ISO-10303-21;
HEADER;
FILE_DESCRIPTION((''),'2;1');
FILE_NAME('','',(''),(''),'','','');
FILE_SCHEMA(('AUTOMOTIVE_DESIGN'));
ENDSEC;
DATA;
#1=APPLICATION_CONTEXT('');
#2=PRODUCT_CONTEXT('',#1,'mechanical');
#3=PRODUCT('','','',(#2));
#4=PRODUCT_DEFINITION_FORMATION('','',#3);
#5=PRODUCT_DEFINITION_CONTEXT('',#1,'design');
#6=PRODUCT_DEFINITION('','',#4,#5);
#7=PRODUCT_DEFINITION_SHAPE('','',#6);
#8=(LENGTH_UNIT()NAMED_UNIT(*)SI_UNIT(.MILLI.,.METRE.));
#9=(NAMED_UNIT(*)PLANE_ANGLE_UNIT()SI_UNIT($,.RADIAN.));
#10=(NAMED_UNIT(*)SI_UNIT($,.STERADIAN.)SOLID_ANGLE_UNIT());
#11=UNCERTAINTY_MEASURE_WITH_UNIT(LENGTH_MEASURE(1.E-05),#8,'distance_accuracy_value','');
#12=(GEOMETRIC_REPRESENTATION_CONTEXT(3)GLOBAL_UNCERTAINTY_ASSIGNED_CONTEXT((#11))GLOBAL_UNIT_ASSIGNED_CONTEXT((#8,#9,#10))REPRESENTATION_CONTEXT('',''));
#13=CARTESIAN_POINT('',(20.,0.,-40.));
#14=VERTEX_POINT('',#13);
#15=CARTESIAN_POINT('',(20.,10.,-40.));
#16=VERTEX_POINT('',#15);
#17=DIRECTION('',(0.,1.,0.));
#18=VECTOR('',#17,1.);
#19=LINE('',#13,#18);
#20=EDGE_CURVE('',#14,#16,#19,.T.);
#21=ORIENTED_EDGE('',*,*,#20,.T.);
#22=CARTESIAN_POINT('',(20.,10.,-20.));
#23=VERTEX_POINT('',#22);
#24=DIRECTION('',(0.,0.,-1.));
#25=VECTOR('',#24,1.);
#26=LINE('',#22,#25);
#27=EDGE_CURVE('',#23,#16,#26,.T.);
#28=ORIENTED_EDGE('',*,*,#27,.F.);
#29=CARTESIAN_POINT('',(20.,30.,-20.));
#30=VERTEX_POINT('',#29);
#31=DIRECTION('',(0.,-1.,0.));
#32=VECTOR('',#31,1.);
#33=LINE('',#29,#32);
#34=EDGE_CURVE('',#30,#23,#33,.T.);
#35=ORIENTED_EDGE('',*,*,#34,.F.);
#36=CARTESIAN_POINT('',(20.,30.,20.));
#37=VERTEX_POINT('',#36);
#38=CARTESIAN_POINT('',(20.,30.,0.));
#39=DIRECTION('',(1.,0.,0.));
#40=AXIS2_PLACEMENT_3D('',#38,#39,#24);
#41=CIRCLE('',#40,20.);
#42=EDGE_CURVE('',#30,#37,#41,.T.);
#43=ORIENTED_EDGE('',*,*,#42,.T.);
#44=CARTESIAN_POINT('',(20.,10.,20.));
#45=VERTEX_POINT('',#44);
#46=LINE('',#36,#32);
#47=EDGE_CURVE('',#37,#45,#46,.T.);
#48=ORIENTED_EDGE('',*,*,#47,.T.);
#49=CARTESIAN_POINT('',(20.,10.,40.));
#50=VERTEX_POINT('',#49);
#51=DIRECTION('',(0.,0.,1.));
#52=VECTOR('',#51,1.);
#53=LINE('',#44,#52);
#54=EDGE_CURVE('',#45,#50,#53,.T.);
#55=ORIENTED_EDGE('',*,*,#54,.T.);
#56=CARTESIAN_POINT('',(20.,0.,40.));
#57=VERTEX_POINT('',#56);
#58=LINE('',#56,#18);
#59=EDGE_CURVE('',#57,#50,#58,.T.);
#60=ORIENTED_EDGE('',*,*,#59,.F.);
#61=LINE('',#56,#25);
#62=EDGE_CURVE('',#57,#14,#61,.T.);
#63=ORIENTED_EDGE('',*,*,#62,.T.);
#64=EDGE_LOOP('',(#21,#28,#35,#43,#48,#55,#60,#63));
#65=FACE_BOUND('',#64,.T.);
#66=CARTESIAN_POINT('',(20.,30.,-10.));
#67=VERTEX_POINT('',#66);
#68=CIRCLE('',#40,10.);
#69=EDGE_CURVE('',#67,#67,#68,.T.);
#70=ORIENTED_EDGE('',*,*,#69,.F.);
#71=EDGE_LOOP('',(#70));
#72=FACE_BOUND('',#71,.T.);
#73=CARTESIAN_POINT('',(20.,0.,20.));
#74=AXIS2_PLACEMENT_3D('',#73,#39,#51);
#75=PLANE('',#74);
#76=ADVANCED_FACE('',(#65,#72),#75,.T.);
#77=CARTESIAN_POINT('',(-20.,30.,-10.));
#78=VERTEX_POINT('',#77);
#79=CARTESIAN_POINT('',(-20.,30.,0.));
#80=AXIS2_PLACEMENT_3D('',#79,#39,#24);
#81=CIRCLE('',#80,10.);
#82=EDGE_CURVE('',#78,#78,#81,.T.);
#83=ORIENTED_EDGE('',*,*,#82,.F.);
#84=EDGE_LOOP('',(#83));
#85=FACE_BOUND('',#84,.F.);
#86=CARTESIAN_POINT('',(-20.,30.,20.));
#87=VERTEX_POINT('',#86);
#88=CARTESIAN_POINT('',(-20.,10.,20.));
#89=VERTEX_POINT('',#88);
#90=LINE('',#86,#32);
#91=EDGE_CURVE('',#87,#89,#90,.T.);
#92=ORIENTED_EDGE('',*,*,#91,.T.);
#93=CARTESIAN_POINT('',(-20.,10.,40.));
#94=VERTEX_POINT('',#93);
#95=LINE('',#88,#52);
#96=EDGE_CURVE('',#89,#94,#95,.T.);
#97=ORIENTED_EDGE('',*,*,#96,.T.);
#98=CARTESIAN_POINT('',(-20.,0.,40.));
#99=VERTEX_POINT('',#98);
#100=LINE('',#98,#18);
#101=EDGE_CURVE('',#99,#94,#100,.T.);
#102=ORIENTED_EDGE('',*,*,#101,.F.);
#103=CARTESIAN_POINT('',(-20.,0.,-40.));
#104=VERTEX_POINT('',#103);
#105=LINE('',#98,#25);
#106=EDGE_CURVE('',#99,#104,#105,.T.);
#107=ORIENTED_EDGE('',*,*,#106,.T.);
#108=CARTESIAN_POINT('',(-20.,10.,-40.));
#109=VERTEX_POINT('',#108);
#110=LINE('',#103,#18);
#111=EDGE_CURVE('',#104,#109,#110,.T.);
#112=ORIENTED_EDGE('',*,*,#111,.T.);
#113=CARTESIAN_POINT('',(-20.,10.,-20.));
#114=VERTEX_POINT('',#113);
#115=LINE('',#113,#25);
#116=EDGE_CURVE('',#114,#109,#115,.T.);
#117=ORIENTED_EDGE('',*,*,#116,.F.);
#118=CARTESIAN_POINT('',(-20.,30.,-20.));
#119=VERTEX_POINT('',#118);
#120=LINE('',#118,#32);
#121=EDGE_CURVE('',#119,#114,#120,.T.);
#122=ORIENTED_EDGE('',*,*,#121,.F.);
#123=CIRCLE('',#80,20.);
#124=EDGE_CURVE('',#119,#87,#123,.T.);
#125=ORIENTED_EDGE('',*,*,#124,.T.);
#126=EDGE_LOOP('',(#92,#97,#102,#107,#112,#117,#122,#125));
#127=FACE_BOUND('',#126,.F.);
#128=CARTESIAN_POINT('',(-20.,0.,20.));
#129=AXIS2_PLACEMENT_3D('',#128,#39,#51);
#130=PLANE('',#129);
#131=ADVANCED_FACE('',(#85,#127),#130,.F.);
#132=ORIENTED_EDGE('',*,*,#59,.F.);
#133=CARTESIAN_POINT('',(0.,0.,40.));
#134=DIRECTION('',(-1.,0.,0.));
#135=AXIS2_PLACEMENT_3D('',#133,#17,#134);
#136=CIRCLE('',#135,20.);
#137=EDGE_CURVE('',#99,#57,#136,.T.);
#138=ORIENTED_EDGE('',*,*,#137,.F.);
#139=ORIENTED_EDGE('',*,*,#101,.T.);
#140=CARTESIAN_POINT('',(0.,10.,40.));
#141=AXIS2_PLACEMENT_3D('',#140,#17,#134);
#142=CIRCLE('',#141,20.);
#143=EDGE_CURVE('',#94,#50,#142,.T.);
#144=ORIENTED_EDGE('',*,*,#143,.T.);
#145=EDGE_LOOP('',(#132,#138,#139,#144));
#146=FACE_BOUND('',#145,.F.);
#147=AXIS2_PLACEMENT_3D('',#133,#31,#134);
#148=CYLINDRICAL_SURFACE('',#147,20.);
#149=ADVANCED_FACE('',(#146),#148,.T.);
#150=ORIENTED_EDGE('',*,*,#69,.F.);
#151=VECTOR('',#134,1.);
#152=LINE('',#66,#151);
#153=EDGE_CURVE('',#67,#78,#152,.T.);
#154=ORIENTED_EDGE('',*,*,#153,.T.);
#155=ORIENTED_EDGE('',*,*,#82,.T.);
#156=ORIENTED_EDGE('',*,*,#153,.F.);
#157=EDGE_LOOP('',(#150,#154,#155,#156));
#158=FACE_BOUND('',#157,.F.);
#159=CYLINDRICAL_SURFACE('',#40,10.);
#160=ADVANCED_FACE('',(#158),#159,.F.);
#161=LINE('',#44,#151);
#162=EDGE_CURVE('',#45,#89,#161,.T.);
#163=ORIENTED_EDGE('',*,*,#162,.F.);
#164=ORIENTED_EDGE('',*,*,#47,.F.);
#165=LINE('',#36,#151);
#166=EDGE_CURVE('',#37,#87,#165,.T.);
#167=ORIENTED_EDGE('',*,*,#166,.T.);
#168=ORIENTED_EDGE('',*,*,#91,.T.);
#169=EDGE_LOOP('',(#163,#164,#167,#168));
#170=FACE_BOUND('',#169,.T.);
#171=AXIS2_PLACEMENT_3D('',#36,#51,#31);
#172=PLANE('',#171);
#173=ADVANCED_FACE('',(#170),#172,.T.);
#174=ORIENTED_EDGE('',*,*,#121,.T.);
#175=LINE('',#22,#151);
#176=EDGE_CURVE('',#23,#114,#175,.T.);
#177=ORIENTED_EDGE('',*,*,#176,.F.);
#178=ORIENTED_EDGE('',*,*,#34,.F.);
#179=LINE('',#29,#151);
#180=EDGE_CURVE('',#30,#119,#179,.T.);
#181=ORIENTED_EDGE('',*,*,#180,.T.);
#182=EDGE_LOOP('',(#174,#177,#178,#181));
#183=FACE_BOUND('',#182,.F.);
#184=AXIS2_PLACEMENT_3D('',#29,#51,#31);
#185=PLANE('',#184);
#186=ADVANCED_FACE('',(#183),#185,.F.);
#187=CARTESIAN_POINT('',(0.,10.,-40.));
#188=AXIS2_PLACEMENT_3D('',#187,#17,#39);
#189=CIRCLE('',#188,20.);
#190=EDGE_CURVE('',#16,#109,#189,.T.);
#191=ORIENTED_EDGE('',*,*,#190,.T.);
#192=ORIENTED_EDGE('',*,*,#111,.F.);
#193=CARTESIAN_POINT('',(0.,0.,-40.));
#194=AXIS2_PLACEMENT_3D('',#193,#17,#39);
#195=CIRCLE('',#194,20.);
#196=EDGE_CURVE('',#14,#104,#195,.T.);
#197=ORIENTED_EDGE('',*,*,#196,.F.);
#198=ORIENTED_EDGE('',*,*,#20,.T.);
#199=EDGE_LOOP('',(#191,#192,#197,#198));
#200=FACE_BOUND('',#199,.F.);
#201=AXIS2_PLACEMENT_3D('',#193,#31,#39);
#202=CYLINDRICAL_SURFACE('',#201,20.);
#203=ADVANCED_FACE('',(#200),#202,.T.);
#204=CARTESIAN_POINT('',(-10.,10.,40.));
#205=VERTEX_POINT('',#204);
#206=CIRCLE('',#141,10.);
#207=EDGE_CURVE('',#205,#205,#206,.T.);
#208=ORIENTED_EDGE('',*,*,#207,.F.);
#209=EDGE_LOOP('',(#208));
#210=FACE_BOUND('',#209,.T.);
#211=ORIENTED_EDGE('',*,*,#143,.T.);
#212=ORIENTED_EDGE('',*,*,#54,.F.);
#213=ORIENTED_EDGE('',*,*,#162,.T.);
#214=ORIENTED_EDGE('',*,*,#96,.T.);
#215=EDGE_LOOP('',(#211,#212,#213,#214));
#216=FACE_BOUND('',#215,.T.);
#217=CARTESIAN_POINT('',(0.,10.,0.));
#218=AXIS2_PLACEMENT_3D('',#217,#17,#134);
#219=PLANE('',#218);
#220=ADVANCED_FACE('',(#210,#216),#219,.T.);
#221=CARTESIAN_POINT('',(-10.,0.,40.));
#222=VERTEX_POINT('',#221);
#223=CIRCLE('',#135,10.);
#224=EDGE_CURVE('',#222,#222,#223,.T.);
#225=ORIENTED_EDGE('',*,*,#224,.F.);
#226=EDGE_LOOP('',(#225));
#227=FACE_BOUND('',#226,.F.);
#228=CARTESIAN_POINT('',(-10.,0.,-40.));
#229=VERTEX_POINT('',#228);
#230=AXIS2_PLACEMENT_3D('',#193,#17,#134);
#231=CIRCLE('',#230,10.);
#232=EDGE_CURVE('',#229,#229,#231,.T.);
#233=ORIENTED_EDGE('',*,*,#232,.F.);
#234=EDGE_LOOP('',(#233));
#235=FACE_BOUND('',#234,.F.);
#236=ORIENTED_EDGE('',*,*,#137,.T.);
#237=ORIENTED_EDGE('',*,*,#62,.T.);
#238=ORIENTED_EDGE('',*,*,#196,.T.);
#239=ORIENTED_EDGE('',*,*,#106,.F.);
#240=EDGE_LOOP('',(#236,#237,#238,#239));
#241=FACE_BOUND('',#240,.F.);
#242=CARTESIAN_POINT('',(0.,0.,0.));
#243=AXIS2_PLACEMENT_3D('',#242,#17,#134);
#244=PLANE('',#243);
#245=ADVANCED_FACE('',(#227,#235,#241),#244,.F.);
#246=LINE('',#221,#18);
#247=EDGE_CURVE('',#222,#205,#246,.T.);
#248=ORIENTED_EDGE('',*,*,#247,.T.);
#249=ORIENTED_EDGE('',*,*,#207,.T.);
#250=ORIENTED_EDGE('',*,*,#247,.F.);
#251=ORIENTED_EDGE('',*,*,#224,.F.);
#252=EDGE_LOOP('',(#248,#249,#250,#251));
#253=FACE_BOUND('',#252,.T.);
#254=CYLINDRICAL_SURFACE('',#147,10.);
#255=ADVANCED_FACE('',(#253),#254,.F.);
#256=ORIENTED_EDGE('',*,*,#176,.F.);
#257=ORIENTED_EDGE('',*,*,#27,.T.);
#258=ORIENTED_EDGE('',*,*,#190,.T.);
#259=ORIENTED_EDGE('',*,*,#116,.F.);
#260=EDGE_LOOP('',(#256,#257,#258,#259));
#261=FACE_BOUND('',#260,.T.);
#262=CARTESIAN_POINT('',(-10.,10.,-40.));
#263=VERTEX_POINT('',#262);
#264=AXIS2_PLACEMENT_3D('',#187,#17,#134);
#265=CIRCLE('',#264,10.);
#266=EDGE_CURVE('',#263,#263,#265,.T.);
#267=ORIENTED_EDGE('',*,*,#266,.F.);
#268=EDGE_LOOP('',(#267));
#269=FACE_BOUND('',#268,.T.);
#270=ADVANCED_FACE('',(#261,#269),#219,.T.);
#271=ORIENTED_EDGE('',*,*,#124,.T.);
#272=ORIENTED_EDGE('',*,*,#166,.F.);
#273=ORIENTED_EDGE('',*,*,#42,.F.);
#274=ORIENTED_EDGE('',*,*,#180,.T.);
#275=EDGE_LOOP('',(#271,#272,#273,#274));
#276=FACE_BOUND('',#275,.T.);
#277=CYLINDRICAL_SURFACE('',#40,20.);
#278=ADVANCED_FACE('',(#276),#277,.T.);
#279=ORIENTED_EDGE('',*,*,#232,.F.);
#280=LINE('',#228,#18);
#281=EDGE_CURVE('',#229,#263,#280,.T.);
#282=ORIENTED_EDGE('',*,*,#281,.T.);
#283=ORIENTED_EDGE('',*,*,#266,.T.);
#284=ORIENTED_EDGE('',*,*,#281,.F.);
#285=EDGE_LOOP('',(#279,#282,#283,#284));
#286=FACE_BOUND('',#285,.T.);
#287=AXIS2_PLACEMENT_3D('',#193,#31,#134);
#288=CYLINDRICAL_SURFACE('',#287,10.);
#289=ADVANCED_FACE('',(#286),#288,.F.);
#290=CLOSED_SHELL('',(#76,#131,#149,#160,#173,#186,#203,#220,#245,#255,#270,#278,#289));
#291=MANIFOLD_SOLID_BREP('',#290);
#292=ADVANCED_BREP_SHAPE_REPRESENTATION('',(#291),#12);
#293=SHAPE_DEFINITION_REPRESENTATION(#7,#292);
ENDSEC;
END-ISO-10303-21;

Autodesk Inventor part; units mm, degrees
ref_plane "YZ Plane" through (0, 0, 0) normal (1, 0, 0) x (0, 1, 0)
ref_plane "XZ Plane" through (0, 0, 0) normal (0, 1, 0) x (-1, 0, 0)
ref_plane "XY Plane" through (0, 0, 0) normal (0, 0, 1) x (1, 0, 0)
sketch "Sketch1" plane through (0, 0, 0) normal (0, 1, 0) x (-1, 0, 0)
  line L0 (-20, 20) -> (-20, -20)
  line L1 (20, -20) -> (20, 20)
  line L2 (-20, 20) -> (20, -20) construction
  line L3 (-20, -20) -> (20, 20) construction
  line L4 (0, 20) -> (0, 40) construction
  circle A0 centre (0, 40) radius 10
  line L5 (0, -20) -> (0, -40) construction
  circle A1 centre (0, -40) radius 10
  arc A2 (20, 40) -> (-20, 40) centre (0, 40) ccw
  arc A3 (-20, -40) -> (20, -40) centre (0, -40) ccw
  line L6 (20, 20) -> (20, 40)
  line L7 (-20, 20) -> (-20, 40)
  line L8 (-20, -20) -> (-20, -40)
  line L9 (20, -20) -> (20, -40)
  point P0 (0, 0)
  dimension "d0" = 40
  dimension "d1" = 40
  dimension "d3" = 20
  dimension "d5" = 20
  dimension "d6" = 40
  dimension "d7" = 40
extrude "Extrusion1" add sketch "Sketch1" along normal blind 10
sketch "Sketch2" plane through (20, 0, 40) normal (1, 0, 0) x (0, 0, -1)
  line L0 (80, 10) -> (0, 10) construction
  line L1 (40, 10) -> (40, 30) construction
  arc A0 (60, 30) -> (20, 30) centre (40, 30) ccw
  circle A1 centre (40, 30) radius 10
  line L2 (20, 30) -> (20, 10)
  line L3 (60, 30) -> (60, 10)
  line L4 (20, 10) -> (60, 10)
  point P0 (40, 0)
  dimension "d11" = 40
  dimension "d12" = 20
extrude "Extrusion2" add sketch "Sketch2" against normal blind 40
properties part number "Tarea 1 Lab dinamica Fabian Aragon"
